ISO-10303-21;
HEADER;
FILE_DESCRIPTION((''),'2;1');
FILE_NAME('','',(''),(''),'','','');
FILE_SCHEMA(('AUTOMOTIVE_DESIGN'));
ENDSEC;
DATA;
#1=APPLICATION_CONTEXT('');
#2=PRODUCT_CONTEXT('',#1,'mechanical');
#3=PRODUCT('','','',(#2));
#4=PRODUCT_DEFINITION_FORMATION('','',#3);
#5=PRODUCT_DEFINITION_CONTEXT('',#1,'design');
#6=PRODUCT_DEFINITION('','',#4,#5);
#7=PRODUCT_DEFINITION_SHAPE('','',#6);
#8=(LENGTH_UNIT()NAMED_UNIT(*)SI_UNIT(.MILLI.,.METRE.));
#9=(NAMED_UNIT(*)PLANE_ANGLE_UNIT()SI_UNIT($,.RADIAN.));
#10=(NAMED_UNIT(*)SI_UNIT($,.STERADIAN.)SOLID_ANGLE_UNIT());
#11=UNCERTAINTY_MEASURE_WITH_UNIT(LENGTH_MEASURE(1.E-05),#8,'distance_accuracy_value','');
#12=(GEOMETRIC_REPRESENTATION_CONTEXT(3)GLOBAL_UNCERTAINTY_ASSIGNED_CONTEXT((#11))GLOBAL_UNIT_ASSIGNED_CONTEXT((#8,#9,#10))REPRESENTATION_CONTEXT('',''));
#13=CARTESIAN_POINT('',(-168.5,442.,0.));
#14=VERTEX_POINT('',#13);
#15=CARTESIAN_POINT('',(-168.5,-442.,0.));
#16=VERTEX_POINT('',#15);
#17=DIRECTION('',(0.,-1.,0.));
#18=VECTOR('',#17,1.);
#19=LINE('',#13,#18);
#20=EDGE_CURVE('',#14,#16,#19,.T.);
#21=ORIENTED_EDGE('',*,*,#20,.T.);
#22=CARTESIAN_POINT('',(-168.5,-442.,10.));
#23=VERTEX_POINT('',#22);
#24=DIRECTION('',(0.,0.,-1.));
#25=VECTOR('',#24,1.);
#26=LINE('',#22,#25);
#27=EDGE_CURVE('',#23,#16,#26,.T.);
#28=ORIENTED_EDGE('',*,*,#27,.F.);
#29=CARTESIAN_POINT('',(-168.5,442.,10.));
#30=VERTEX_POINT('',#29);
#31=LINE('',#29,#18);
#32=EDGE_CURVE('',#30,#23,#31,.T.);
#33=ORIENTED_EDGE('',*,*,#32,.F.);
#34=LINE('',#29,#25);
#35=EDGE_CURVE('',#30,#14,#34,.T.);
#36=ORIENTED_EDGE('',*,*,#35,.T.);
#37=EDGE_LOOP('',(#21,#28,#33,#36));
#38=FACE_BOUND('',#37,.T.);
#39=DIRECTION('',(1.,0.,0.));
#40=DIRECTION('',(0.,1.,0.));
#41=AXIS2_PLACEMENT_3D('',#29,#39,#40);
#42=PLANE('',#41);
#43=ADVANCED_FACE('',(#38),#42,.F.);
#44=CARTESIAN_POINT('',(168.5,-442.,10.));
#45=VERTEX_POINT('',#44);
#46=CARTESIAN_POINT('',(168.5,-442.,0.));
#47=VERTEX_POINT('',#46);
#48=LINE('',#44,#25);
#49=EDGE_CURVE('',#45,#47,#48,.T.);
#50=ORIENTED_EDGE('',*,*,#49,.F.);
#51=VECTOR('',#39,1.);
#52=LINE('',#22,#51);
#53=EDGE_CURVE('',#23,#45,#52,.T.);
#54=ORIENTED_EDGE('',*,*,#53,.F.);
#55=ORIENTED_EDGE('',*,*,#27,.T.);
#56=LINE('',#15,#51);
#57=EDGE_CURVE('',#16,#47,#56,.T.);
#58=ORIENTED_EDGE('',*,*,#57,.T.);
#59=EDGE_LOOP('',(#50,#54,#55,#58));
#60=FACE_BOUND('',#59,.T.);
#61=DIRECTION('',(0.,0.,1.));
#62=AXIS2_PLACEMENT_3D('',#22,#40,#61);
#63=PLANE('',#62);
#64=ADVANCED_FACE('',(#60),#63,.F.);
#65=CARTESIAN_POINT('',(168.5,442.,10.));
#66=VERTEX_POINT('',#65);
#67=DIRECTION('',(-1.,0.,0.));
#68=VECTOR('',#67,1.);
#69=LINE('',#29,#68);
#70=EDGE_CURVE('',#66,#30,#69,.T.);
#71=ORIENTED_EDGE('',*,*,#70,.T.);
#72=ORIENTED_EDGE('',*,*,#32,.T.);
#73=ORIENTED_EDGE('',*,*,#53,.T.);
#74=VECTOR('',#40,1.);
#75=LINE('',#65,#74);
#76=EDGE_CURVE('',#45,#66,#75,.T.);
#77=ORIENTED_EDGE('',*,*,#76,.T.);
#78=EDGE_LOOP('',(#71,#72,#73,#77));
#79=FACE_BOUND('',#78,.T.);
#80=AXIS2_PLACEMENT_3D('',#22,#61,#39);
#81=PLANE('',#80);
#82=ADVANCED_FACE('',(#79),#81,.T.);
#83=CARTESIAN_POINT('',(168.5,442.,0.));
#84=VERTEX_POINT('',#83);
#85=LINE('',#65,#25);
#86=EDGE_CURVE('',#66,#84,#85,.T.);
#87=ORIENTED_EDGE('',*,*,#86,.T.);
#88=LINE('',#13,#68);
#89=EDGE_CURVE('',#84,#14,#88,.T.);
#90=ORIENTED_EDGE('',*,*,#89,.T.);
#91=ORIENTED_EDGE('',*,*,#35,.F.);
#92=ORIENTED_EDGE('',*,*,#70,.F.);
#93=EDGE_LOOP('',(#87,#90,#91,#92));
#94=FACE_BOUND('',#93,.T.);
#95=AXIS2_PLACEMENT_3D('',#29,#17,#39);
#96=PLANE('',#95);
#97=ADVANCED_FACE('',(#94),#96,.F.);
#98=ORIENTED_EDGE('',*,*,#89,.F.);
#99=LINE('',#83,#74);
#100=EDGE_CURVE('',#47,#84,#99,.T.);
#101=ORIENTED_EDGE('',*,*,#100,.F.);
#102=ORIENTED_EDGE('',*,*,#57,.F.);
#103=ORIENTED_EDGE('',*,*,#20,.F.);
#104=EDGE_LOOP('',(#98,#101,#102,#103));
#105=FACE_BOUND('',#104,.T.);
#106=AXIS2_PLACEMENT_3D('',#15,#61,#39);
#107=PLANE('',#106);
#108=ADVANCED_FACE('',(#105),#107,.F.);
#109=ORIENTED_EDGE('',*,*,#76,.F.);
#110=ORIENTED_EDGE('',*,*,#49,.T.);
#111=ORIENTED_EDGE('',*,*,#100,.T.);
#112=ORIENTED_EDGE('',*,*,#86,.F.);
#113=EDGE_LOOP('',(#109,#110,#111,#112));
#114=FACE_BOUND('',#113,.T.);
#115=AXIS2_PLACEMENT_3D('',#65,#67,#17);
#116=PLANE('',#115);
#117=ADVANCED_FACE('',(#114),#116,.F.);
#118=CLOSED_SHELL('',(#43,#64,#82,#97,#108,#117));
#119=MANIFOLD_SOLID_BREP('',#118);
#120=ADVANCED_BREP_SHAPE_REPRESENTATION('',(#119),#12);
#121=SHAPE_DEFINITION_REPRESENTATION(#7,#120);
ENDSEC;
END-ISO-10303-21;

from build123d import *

# Parameters (mm, degrees)
ESBO_O1_W                = 337
ESBO_O1_H                = 884
RESSALTO_EXTRUS_O1_DEPTH = 10


with BuildPart() as part:
    # Esboço1 → Ressalto-extrusão1 (new body)
    with BuildSketch(Plane.XY):
        Rectangle(ESBO_O1_W, ESBO_O1_H)
    extrude(amount=RESSALTO_EXTRUS_O1_DEPTH)


solid = part.part
